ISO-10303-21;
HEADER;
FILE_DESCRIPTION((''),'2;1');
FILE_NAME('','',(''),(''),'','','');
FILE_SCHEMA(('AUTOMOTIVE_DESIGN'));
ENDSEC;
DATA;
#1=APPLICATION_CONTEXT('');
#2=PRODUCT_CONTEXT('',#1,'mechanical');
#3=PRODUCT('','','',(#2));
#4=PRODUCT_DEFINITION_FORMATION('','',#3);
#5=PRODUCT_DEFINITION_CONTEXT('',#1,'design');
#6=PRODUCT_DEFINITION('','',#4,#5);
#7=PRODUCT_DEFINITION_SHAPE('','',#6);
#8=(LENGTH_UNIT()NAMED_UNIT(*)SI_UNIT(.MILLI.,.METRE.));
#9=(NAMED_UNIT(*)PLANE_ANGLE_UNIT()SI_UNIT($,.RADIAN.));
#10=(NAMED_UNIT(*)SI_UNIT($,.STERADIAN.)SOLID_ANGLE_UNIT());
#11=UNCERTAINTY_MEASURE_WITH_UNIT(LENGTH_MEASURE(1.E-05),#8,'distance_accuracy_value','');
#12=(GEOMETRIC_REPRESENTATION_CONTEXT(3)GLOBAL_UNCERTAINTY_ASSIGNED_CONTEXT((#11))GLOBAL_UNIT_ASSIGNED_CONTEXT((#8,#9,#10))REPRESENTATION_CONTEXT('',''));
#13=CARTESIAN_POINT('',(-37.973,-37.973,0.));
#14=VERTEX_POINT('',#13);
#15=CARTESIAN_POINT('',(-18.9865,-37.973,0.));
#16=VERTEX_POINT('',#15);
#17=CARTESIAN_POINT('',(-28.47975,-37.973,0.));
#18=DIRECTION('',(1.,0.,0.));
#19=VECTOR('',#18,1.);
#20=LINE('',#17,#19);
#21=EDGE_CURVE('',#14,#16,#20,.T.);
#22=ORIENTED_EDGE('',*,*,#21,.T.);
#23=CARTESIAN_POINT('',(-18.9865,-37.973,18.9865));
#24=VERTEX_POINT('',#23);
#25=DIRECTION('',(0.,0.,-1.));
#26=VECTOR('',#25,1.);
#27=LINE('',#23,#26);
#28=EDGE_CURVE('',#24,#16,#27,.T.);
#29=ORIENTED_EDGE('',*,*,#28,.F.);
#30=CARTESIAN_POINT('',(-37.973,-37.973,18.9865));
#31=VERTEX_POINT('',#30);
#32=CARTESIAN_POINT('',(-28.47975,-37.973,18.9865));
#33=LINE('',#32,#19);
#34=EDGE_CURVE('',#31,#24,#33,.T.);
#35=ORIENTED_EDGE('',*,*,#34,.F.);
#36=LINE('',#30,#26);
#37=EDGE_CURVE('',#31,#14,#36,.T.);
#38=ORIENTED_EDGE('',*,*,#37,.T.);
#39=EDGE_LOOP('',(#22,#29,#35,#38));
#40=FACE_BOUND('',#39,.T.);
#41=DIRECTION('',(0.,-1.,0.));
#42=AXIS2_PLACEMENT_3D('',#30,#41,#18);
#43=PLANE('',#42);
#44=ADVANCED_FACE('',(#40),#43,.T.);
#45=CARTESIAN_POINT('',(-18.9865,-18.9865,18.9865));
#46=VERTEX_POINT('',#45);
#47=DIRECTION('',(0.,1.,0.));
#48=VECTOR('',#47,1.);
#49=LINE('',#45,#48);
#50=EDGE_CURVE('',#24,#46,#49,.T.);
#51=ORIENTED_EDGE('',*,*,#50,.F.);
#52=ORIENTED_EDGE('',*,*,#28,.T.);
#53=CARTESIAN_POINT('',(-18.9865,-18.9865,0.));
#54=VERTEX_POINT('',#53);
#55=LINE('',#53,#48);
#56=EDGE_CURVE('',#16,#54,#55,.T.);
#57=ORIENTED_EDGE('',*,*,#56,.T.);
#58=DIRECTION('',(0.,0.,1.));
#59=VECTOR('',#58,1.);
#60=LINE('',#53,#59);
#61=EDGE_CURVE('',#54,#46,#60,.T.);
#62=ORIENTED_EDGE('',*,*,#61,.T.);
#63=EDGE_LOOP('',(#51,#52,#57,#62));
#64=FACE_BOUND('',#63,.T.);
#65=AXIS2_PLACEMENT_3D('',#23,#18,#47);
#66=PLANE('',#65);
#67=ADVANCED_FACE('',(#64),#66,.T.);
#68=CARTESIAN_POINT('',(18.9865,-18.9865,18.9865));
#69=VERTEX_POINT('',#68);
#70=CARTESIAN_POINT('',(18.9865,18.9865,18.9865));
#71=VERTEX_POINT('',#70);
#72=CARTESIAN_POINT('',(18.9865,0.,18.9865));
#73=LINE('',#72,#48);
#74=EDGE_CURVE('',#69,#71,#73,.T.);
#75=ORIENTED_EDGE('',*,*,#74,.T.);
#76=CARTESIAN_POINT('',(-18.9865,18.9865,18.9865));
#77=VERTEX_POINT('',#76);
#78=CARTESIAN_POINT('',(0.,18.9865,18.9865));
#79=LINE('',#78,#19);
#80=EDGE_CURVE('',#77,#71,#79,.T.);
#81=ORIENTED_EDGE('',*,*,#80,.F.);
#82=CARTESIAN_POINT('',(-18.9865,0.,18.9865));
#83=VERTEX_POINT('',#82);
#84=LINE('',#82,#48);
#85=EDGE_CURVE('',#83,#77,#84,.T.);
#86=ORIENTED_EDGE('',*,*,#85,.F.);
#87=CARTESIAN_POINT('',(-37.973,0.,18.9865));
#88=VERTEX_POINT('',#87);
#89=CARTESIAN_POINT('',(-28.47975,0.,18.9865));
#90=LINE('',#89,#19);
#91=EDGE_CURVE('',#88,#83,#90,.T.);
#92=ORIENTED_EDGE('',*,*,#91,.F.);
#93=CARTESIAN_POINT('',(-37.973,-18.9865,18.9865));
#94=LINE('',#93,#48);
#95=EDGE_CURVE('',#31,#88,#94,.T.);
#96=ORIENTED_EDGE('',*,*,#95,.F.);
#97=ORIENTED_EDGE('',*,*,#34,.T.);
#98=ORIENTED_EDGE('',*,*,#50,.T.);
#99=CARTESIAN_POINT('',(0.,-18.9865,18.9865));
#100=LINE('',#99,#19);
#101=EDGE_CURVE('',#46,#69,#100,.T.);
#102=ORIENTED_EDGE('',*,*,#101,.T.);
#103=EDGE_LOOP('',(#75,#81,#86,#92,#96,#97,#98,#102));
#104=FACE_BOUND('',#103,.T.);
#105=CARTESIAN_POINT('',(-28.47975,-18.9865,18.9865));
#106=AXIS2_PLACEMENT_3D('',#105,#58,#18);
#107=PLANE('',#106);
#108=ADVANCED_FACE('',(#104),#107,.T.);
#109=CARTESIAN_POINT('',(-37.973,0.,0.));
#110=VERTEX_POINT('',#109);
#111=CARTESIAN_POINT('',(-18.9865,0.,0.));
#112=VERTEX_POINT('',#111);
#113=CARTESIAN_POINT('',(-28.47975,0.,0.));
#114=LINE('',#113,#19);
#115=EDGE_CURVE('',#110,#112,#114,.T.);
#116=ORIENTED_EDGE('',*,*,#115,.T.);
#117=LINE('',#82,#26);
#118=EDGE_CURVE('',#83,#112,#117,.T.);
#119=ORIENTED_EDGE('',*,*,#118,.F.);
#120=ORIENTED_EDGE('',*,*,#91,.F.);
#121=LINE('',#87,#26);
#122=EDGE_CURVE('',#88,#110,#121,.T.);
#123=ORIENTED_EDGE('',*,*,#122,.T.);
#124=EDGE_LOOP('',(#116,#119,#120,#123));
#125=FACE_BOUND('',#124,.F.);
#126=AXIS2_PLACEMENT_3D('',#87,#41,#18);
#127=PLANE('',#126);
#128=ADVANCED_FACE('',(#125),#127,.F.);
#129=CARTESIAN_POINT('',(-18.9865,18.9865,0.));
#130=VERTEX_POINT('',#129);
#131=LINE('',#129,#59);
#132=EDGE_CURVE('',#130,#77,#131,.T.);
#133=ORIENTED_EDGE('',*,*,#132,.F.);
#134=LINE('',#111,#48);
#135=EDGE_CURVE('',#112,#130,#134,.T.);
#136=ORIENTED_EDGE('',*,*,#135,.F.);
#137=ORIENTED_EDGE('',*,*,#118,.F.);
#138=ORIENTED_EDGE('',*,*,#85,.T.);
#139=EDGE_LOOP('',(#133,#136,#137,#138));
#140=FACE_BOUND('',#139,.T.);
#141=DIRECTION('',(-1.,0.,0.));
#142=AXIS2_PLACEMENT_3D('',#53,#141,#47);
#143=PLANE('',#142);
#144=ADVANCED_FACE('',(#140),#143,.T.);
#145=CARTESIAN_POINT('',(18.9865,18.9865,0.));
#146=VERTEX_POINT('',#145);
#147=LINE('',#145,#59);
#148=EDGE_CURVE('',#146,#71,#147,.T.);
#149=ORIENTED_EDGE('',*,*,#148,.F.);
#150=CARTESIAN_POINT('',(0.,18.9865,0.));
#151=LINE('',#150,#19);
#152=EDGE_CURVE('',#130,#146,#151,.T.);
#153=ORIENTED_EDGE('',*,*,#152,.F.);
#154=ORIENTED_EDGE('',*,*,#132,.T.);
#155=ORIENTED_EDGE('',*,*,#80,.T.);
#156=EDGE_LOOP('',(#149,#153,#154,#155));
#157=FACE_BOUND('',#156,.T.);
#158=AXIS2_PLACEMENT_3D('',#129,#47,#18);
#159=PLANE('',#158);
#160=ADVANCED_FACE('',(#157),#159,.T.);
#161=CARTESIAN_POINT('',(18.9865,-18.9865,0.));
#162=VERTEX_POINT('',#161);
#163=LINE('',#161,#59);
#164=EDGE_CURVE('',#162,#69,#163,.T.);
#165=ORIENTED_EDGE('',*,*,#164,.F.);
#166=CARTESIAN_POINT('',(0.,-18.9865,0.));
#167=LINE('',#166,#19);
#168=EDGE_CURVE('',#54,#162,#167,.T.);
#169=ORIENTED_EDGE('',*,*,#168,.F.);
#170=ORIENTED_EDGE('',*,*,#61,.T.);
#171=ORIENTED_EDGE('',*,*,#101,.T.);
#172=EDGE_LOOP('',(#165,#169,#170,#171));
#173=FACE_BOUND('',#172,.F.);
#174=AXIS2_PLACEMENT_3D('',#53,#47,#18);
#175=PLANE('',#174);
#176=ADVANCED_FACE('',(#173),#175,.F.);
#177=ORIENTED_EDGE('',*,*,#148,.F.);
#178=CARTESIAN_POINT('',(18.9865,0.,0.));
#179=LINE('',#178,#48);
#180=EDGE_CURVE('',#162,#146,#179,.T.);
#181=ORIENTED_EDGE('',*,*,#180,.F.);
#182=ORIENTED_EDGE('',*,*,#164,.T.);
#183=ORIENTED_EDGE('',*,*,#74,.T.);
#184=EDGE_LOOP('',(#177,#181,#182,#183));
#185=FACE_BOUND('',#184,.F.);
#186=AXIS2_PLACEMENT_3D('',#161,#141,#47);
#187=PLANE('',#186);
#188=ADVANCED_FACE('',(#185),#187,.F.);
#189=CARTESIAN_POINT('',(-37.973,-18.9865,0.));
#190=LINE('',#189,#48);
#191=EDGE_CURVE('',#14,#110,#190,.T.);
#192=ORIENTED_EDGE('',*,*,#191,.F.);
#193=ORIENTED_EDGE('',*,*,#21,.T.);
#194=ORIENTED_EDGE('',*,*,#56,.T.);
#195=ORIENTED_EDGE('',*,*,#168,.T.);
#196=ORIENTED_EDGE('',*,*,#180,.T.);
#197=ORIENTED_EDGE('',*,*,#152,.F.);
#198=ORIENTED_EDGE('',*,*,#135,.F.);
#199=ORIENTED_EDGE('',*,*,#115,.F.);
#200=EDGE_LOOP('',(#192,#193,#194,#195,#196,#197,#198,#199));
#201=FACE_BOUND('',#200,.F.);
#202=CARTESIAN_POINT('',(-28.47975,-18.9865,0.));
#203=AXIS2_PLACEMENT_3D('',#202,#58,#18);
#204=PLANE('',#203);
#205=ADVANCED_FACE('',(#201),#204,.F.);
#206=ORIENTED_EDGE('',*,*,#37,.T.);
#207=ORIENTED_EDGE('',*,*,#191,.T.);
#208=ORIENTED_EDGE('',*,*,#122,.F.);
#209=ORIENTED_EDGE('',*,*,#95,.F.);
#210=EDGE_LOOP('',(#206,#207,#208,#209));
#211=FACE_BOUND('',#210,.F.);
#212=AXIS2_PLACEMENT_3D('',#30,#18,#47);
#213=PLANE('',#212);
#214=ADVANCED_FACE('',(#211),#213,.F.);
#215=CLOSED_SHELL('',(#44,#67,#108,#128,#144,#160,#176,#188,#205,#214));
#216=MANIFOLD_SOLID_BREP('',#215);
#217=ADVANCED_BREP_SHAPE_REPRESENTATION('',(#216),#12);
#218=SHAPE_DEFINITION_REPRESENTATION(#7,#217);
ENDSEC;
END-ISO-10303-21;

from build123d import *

# Parameters (mm, degrees)
F0_W     = 37.973
F0_H     = 37.973
F1_DEPTH = 18.9865
F2_W     = 18.9865
F2_H     = 37.973
F3_DEPTH = 18.9865


with BuildPart() as f1:
    # F0 (on Top) → F1 (new body)
    with BuildSketch(Plane.XY):
        Rectangle(F0_W, F0_H)
    extrude(amount=F1_DEPTH)

    # F2 (on face) → F3 (join)
    with BuildSketch(Plane.XY.offset(18.9865)):
        with Locations((-28.47975, -18.9865)):
            Rectangle(F2_W, F2_H)
    extrude(amount=-F3_DEPTH)


solid = f1.part
